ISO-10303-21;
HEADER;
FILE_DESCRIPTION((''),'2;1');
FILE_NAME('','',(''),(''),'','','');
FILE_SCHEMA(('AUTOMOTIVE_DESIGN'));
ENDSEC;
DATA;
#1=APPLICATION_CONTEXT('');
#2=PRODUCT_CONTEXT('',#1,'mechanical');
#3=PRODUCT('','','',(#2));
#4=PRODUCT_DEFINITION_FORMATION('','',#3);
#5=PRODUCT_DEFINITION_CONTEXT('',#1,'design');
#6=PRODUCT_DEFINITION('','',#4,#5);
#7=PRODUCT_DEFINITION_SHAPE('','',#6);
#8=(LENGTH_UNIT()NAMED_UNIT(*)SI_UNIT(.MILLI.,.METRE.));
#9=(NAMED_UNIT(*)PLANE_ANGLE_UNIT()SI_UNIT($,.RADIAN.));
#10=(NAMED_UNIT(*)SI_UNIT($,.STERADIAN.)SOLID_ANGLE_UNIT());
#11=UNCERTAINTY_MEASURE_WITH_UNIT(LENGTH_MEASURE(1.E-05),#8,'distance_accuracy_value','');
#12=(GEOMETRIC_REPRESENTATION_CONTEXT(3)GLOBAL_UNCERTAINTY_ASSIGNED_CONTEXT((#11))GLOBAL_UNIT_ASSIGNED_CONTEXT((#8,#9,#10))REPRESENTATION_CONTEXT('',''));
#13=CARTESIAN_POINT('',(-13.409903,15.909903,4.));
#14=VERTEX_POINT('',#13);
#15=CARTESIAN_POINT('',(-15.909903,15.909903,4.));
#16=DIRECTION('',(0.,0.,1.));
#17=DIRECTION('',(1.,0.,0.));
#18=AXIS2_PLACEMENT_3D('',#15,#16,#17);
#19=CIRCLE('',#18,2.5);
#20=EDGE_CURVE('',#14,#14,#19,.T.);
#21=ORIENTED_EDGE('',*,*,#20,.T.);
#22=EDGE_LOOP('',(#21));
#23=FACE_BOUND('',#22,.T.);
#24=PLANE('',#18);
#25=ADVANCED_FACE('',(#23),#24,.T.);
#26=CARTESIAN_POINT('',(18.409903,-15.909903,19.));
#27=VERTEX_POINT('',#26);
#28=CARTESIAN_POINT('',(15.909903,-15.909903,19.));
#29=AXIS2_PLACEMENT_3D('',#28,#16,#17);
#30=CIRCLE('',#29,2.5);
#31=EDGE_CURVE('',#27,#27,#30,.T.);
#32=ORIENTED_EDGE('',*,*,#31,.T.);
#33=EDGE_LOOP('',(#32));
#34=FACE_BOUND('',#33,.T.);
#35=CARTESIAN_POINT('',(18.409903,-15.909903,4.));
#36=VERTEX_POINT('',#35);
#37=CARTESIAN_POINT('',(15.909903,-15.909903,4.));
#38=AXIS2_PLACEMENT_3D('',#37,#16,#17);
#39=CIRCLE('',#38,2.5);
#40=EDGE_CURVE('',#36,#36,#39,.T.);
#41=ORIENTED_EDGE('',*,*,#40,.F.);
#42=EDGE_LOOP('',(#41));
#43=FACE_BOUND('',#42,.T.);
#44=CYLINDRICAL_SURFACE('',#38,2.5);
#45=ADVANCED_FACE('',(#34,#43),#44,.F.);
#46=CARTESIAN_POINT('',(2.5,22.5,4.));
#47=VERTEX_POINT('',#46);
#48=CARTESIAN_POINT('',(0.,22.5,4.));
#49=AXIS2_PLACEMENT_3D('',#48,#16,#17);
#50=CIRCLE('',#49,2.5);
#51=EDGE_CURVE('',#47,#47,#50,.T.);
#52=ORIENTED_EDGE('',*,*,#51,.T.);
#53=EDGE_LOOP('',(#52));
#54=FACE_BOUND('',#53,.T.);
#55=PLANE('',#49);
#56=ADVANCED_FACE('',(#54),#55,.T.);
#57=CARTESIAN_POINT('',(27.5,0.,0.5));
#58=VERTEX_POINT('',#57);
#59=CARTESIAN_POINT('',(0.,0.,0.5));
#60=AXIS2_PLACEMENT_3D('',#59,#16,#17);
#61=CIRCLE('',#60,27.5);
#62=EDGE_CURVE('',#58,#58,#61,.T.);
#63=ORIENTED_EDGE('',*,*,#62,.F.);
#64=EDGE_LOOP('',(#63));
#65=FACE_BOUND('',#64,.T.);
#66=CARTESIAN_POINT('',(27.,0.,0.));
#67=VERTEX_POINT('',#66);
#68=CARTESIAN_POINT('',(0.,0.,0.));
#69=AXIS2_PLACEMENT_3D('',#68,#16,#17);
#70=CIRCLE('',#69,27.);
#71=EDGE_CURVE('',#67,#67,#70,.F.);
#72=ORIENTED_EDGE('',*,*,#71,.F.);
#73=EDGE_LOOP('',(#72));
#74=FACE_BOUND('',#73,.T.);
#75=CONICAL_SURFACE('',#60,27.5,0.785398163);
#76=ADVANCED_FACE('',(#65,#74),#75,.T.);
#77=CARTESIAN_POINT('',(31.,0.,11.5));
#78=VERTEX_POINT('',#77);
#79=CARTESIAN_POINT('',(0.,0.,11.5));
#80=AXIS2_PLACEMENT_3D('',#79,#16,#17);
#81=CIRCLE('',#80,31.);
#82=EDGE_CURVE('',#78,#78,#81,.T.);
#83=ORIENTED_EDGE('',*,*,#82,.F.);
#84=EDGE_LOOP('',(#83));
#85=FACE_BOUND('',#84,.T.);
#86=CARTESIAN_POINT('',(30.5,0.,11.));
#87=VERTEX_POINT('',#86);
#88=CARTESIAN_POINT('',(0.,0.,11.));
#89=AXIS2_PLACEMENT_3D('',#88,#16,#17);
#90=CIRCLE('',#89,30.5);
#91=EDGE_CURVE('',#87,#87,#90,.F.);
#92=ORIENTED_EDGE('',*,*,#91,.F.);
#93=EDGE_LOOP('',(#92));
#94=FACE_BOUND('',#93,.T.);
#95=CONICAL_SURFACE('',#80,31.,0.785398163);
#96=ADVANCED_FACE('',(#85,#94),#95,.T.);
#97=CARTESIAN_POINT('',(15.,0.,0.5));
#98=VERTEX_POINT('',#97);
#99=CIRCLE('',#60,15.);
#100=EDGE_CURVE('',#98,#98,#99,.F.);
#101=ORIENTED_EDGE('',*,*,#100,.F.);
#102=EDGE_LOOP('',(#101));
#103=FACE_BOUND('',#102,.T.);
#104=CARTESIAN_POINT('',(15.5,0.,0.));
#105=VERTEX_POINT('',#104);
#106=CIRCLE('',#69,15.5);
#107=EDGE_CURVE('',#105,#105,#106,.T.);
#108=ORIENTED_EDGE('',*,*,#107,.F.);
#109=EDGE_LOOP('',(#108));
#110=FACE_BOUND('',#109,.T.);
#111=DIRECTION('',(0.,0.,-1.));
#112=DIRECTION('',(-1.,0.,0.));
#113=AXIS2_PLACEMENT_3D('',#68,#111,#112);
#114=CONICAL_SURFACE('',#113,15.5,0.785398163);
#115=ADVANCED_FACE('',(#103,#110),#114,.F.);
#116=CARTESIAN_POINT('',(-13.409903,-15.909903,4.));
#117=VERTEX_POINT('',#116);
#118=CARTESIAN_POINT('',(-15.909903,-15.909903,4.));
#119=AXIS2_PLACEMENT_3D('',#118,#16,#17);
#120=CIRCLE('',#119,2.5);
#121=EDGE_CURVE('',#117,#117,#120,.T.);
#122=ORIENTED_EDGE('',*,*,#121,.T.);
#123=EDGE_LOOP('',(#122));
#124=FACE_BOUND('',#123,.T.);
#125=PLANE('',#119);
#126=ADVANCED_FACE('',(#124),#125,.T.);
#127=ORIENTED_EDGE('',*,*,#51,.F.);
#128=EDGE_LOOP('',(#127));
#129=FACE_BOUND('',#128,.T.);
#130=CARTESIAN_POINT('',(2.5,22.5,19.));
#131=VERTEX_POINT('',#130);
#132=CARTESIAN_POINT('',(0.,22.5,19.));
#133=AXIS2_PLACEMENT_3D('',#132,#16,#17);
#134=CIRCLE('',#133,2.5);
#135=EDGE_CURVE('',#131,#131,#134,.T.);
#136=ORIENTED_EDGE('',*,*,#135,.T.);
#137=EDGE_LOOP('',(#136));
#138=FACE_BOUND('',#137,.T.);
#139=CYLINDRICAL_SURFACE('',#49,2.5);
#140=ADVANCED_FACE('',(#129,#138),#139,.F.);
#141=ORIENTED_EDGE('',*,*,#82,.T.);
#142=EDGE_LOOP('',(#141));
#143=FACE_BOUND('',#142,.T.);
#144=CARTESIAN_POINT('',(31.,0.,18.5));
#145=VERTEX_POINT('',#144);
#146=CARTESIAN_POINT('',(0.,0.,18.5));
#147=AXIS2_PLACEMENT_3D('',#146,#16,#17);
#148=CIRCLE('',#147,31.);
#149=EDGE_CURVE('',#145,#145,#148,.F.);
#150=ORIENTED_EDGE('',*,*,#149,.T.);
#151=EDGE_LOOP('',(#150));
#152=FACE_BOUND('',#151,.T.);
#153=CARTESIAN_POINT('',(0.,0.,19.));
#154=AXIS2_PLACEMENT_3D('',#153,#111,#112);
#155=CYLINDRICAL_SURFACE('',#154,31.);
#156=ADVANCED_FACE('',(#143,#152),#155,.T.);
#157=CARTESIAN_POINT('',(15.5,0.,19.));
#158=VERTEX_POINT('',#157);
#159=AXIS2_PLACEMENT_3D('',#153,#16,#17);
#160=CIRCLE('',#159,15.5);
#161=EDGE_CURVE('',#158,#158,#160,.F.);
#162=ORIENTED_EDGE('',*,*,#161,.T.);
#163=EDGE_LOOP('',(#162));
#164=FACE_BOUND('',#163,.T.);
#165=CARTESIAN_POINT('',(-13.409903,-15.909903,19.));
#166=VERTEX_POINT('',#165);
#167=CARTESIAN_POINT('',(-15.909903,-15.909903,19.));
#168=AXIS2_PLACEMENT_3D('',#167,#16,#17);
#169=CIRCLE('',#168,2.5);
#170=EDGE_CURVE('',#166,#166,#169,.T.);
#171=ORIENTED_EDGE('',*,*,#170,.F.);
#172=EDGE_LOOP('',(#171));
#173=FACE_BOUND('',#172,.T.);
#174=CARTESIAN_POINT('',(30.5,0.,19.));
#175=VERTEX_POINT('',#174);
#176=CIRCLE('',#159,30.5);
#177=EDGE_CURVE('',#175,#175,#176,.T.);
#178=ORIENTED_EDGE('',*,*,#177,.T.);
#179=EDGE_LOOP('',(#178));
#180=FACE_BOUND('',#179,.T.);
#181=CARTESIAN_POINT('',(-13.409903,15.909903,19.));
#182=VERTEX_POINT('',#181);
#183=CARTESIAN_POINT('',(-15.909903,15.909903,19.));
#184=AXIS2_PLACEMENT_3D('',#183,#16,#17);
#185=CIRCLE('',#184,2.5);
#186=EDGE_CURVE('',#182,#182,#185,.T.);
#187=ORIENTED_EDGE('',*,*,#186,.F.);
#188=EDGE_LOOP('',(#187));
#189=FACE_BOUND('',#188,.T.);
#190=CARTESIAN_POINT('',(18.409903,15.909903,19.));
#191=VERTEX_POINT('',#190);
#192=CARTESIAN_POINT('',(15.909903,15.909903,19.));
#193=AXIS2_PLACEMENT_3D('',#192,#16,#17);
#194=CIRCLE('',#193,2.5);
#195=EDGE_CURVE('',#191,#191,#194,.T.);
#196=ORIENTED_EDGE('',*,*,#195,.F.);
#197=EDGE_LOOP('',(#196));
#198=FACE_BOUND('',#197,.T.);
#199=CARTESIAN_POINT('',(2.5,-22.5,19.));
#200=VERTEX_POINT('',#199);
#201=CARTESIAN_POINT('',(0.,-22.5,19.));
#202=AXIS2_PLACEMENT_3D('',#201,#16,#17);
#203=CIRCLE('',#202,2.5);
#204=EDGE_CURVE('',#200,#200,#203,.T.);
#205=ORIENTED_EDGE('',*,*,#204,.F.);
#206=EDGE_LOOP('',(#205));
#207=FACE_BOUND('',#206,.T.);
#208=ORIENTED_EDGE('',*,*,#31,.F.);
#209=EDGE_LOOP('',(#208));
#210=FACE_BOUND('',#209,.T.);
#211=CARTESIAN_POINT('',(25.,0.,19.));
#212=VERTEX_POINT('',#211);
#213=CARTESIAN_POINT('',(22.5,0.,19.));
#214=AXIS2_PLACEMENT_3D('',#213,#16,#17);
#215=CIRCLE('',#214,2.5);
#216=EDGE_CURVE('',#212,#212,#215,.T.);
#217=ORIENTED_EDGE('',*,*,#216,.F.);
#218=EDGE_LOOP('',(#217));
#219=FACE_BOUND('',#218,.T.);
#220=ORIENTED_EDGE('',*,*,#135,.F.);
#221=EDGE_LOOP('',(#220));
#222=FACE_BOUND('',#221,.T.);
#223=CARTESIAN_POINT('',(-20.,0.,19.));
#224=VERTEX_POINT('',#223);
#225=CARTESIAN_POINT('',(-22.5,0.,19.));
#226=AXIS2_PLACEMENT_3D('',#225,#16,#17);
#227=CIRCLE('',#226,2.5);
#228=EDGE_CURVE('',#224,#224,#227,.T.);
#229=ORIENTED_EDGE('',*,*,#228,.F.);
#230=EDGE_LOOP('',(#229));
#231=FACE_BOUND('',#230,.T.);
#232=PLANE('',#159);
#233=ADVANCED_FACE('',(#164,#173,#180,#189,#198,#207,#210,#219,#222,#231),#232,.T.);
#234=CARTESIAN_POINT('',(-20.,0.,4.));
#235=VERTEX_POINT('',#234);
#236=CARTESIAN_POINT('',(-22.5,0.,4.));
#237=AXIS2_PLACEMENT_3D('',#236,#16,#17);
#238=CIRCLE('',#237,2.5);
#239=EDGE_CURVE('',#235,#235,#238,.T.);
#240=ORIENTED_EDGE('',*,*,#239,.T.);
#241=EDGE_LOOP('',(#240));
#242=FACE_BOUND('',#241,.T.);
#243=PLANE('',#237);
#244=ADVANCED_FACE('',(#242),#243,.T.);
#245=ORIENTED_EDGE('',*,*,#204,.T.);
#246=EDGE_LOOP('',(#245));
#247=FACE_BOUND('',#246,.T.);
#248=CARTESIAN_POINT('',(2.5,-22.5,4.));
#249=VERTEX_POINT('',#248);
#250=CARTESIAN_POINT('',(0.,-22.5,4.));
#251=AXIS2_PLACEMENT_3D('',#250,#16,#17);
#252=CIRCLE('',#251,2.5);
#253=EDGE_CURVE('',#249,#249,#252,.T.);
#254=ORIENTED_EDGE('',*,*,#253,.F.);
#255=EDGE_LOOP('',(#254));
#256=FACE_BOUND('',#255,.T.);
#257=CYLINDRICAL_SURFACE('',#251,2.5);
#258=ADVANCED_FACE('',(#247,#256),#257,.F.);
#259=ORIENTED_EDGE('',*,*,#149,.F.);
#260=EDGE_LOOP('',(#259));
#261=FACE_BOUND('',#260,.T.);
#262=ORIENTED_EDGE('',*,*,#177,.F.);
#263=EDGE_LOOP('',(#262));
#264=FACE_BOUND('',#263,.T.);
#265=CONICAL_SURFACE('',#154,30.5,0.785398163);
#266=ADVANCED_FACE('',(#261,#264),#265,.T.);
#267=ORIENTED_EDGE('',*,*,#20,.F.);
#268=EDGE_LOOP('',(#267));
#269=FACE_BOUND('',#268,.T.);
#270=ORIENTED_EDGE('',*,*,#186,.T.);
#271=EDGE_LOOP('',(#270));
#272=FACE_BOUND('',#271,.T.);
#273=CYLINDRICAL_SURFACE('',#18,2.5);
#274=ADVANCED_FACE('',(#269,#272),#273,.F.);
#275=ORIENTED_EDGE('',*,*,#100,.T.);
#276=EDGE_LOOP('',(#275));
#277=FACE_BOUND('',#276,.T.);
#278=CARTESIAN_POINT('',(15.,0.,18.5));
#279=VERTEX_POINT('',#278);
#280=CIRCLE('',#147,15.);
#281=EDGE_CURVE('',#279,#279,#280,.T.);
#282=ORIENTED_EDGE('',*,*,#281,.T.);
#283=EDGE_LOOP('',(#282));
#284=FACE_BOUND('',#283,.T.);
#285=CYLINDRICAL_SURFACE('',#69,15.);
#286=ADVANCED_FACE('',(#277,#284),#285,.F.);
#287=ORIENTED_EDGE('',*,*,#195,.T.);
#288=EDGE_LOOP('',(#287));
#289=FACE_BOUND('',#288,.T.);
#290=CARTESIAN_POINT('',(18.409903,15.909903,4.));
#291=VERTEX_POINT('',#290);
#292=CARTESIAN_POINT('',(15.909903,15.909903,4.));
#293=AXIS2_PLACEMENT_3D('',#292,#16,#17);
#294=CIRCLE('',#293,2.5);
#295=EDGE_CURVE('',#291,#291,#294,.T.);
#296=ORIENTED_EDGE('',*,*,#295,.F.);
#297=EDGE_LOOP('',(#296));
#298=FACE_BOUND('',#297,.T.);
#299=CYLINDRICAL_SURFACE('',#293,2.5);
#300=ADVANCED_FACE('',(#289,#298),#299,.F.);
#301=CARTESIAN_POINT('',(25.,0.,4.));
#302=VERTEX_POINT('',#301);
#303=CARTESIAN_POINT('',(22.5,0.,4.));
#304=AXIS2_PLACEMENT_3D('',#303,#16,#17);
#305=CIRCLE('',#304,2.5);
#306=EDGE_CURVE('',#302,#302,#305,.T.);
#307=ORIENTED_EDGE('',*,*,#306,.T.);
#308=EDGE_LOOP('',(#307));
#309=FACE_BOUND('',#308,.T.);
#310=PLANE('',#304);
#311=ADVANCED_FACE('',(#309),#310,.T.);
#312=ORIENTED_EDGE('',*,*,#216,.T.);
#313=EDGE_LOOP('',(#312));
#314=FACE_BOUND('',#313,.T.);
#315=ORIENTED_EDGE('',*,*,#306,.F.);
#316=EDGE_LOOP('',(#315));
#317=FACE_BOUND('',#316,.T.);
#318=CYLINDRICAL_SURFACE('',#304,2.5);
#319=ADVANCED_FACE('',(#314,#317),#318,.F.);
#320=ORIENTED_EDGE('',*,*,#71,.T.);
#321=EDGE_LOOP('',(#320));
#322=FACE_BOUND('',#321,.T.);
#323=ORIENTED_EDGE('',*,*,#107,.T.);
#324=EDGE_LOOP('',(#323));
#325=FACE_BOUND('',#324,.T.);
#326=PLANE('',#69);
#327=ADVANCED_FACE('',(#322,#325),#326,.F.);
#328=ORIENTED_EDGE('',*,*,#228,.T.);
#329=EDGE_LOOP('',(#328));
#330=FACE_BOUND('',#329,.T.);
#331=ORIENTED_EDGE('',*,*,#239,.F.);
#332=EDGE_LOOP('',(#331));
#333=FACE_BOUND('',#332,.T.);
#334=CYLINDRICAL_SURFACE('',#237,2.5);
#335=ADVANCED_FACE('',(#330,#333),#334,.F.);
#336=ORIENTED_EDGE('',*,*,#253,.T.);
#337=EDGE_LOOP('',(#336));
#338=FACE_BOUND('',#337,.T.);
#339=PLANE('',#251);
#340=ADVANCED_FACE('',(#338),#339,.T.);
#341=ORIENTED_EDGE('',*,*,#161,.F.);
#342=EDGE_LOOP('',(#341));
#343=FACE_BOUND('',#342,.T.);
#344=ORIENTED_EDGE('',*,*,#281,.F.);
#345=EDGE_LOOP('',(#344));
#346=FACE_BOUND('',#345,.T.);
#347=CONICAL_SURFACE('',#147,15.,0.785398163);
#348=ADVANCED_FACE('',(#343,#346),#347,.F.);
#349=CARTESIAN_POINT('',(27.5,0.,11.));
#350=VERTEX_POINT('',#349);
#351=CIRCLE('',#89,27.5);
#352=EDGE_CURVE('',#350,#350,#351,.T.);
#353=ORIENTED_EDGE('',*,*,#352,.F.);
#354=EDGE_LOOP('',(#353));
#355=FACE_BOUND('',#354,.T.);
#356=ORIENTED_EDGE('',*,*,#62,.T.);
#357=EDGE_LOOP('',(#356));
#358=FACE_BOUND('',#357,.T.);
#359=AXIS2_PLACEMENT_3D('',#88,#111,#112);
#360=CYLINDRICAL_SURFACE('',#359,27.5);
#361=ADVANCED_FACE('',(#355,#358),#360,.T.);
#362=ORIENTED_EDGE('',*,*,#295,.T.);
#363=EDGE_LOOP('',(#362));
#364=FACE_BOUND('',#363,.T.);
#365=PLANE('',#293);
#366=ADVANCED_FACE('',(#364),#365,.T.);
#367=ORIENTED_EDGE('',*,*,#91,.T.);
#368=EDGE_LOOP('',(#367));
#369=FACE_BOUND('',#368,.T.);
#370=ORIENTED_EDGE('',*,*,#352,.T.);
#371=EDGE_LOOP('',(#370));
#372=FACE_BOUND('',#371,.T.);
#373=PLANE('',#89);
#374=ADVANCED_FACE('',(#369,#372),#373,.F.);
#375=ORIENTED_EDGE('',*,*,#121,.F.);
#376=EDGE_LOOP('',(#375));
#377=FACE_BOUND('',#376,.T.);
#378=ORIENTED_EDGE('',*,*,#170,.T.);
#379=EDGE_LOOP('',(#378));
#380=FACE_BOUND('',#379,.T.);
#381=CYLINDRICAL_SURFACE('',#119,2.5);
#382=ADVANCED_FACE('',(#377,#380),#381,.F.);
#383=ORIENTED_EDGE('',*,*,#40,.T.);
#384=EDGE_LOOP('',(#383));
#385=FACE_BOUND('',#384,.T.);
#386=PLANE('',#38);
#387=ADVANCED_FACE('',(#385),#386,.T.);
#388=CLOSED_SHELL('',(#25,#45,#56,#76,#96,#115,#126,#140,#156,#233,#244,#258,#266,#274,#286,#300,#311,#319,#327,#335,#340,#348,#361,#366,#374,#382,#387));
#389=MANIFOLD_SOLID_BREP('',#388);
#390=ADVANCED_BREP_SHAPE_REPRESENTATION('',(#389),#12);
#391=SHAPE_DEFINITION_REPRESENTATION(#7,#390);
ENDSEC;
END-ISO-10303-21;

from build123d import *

# Parameters (mm, degrees)
SKETCH_1_R          = 27.5
EXTRUDE_1_DEPTH     = 11
SKETCH_2_R          = 31
EXTRUDE_2_DEPTH     = 8
SKETCH_3_R          = 2.5
CUT_EXTRUDE_1_DEPTH = 15
SKETCH_4_R          = 15
CUT_EXTRUDE_2_DEPTH = 48.780749262
CHAMFER_1_SIZE      = 0.5
CHAMFER_2_SIZE      = 0.5


with BuildPart() as part:
    # 草图1 → 拉伸1 (new body)
    with BuildSketch(Plane.XY):
        Circle(SKETCH_1_R)
    extrude(amount=EXTRUDE_1_DEPTH)

    # 草图2 → 拉伸2 (add)
    with BuildSketch(Plane.XY.offset(11)):
        Circle(SKETCH_2_R)
    extrude(amount=EXTRUDE_2_DEPTH)

    # 草图3 → 切除-拉伸1 (cut)
    with BuildSketch(Plane.XY.offset(19)):
        with Locations((0, 22.5)):
            Circle(SKETCH_3_R)
        with Locations((15.909902577, 15.909902577)):
            Circle(SKETCH_3_R)
        with Locations((22.5, 0)):
            Circle(SKETCH_3_R)
        with Locations((15.909902577, -15.909902577)):
            Circle(SKETCH_3_R)
        with Locations((0, -22.5)):
            Circle(SKETCH_3_R)
        with Locations((-15.909902577, -15.909902577)):
            Circle(SKETCH_3_R)
        with Locations((-22.5, 0)):
            Circle(SKETCH_3_R)
        with Locations((-15.909902577, 15.909902577)):
            Circle(SKETCH_3_R)
    extrude(amount=-CUT_EXTRUDE_1_DEPTH, mode=Mode.SUBTRACT)

    # 草图4 → 切除-拉伸2 (cut, through all)
    with BuildSketch(Plane.XY.offset(19)):
        Circle(SKETCH_4_R)
    extrude(amount=-CUT_EXTRUDE_2_DEPTH, mode=Mode.SUBTRACT)

    # 倒角1
    chamfer_1_edges = [part.edges().sort_by_distance(p)[0] for p in [
        (-27.5, 0, 0),
        (-15, 0, 0),
        (-31, 0, 11),
        (-31, 0, 19),
    ]]
    chamfer(chamfer_1_edges, length=CHAMFER_1_SIZE)

    # 倒角2
    chamfer_2_edges = [part.edges().sort_by_distance(p)[0] for p in [
        (-15, 0, 19),
    ]]
    chamfer(chamfer_2_edges, length=CHAMFER_2_SIZE)


solid = part.part
